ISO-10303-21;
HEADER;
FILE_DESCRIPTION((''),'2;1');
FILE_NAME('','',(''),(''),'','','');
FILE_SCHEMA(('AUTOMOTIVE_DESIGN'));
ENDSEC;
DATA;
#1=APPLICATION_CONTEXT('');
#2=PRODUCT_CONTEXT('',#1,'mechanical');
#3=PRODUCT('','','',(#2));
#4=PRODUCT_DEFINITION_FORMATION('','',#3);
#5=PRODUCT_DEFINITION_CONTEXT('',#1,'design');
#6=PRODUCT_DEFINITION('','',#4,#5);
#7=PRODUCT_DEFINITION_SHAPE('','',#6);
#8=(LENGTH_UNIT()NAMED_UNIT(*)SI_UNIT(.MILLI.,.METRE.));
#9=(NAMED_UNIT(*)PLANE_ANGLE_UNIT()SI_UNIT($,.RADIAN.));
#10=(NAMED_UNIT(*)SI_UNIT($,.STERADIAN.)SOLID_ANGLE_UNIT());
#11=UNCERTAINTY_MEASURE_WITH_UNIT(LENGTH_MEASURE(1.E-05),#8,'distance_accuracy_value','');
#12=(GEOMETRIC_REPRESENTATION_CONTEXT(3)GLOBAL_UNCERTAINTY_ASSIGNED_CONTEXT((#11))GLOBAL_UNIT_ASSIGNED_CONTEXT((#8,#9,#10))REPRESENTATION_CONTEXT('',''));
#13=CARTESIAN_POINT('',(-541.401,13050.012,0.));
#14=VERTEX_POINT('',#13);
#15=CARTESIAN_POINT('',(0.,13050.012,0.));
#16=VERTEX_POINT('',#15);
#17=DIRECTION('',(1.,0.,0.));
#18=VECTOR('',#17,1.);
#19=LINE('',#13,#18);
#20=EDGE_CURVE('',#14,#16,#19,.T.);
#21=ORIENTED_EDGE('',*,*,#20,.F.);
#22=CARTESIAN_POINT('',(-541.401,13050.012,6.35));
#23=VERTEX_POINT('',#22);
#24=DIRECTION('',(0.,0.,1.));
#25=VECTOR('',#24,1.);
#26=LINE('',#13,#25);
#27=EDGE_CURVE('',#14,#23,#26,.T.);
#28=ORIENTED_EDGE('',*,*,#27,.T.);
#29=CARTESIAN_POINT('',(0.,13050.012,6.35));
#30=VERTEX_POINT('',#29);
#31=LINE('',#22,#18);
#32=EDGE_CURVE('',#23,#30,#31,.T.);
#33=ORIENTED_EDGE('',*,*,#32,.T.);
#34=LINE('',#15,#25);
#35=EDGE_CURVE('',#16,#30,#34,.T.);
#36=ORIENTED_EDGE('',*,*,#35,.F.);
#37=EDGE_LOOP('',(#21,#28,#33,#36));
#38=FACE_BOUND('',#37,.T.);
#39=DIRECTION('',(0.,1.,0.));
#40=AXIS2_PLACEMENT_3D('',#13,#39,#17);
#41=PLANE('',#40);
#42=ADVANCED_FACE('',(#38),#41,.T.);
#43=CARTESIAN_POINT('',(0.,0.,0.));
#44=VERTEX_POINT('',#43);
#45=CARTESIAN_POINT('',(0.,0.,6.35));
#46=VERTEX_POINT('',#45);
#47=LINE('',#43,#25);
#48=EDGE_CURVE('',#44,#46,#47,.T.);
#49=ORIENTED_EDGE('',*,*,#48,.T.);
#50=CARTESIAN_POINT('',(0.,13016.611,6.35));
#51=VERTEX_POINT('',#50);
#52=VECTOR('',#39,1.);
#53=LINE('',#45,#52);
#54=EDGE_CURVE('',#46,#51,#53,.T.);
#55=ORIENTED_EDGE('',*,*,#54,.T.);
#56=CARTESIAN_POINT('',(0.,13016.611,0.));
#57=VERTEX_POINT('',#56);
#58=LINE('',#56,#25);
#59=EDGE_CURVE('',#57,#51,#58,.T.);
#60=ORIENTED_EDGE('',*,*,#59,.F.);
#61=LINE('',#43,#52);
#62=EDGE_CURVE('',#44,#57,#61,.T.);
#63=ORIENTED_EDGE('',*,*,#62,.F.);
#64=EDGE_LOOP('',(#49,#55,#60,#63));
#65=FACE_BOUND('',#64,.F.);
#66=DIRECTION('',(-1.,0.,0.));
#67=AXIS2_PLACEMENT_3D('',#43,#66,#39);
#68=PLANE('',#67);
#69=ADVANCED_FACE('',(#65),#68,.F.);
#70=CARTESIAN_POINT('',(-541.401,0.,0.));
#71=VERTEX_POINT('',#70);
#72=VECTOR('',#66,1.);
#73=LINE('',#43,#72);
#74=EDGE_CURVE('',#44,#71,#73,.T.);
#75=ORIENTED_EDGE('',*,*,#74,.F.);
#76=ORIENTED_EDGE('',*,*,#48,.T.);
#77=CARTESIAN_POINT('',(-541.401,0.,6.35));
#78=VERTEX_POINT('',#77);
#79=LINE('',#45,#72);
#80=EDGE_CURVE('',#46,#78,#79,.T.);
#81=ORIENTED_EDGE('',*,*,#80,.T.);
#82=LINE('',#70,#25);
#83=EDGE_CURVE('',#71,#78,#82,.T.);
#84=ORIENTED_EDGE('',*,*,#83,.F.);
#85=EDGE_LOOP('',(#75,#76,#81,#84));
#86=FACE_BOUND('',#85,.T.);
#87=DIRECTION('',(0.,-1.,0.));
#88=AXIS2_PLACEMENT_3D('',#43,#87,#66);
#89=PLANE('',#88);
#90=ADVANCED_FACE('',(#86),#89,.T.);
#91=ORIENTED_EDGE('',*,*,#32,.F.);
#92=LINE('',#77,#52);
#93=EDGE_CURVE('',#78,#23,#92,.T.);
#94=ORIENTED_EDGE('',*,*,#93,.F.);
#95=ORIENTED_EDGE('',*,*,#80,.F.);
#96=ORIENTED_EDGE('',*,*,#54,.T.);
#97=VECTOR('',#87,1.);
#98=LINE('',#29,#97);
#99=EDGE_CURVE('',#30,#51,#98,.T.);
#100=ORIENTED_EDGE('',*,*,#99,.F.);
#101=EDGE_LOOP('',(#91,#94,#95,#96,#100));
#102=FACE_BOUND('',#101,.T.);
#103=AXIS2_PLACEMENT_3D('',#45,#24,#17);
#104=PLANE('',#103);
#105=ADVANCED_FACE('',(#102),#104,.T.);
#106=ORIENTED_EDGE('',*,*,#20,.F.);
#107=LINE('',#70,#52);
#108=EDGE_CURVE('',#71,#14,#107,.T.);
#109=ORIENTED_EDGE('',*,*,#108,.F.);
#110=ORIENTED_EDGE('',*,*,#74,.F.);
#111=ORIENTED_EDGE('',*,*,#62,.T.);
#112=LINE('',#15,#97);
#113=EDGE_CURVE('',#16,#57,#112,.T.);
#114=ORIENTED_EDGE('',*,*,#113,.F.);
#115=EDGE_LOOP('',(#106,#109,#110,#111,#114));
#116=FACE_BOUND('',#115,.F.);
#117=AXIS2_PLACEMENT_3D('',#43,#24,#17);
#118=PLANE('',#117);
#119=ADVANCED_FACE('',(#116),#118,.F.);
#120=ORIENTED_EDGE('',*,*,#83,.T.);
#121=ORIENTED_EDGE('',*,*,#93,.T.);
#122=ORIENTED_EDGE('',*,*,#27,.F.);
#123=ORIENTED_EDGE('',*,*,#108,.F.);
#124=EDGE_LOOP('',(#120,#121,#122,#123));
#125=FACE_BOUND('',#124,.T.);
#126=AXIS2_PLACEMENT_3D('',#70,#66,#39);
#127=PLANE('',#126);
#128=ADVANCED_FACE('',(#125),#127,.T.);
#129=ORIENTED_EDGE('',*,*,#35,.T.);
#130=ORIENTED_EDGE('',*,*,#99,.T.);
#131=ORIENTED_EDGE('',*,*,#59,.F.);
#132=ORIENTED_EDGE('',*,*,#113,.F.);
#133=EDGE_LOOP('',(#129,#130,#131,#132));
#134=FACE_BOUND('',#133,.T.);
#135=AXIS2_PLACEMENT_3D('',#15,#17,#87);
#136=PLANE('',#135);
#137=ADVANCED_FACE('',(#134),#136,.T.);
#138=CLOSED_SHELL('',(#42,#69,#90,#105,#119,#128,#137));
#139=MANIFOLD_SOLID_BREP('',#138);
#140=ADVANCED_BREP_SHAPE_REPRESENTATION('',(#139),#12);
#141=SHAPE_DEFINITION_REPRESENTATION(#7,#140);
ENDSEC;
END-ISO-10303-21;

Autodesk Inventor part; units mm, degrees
ref_plane "YZ Plane" through (0, 0, 0) normal (1, 0, 0) x (0, 1, 0)
ref_plane "XZ Plane" through (0, 0, 0) normal (0, 1, 0) x (-1, 0, 0)
ref_plane "XY Plane" through (0, 0, 0) normal (0, 0, 1) x (1, 0, 0)
ref_plane "Work Plane1" through (0, 0, 0) normal (0, 0, 1) x (1, 0, 0)
sketch "Sketch1" plane through (0, 0, 0) normal (0, 0, 1) x (1, 0, 0)
  line L0 (0, 0) -> (0, 13016.611) projected
  line L1 (0, 0) -> (-541.401, 0)
  line L2 (-541.401, 0) -> (-541.401, 13050.012)
  line L3 (-541.401, 13050.012) -> (0, 13050.012)
  line L4 (0, 0) -> (-541.401, 0)
  line L5 (-541.401, 0) -> (-541.401, 13050.012)
  line L6 (-541.401, 13050.012) -> (0, 13050.012)
  line L7 (0, 13050.012) -> (0, 0)
extrude "Extrusion1" add sketch "Sketch1" along normal blind 6.35
properties part number "GuardShield" material "Polycarbonate, Clear"
